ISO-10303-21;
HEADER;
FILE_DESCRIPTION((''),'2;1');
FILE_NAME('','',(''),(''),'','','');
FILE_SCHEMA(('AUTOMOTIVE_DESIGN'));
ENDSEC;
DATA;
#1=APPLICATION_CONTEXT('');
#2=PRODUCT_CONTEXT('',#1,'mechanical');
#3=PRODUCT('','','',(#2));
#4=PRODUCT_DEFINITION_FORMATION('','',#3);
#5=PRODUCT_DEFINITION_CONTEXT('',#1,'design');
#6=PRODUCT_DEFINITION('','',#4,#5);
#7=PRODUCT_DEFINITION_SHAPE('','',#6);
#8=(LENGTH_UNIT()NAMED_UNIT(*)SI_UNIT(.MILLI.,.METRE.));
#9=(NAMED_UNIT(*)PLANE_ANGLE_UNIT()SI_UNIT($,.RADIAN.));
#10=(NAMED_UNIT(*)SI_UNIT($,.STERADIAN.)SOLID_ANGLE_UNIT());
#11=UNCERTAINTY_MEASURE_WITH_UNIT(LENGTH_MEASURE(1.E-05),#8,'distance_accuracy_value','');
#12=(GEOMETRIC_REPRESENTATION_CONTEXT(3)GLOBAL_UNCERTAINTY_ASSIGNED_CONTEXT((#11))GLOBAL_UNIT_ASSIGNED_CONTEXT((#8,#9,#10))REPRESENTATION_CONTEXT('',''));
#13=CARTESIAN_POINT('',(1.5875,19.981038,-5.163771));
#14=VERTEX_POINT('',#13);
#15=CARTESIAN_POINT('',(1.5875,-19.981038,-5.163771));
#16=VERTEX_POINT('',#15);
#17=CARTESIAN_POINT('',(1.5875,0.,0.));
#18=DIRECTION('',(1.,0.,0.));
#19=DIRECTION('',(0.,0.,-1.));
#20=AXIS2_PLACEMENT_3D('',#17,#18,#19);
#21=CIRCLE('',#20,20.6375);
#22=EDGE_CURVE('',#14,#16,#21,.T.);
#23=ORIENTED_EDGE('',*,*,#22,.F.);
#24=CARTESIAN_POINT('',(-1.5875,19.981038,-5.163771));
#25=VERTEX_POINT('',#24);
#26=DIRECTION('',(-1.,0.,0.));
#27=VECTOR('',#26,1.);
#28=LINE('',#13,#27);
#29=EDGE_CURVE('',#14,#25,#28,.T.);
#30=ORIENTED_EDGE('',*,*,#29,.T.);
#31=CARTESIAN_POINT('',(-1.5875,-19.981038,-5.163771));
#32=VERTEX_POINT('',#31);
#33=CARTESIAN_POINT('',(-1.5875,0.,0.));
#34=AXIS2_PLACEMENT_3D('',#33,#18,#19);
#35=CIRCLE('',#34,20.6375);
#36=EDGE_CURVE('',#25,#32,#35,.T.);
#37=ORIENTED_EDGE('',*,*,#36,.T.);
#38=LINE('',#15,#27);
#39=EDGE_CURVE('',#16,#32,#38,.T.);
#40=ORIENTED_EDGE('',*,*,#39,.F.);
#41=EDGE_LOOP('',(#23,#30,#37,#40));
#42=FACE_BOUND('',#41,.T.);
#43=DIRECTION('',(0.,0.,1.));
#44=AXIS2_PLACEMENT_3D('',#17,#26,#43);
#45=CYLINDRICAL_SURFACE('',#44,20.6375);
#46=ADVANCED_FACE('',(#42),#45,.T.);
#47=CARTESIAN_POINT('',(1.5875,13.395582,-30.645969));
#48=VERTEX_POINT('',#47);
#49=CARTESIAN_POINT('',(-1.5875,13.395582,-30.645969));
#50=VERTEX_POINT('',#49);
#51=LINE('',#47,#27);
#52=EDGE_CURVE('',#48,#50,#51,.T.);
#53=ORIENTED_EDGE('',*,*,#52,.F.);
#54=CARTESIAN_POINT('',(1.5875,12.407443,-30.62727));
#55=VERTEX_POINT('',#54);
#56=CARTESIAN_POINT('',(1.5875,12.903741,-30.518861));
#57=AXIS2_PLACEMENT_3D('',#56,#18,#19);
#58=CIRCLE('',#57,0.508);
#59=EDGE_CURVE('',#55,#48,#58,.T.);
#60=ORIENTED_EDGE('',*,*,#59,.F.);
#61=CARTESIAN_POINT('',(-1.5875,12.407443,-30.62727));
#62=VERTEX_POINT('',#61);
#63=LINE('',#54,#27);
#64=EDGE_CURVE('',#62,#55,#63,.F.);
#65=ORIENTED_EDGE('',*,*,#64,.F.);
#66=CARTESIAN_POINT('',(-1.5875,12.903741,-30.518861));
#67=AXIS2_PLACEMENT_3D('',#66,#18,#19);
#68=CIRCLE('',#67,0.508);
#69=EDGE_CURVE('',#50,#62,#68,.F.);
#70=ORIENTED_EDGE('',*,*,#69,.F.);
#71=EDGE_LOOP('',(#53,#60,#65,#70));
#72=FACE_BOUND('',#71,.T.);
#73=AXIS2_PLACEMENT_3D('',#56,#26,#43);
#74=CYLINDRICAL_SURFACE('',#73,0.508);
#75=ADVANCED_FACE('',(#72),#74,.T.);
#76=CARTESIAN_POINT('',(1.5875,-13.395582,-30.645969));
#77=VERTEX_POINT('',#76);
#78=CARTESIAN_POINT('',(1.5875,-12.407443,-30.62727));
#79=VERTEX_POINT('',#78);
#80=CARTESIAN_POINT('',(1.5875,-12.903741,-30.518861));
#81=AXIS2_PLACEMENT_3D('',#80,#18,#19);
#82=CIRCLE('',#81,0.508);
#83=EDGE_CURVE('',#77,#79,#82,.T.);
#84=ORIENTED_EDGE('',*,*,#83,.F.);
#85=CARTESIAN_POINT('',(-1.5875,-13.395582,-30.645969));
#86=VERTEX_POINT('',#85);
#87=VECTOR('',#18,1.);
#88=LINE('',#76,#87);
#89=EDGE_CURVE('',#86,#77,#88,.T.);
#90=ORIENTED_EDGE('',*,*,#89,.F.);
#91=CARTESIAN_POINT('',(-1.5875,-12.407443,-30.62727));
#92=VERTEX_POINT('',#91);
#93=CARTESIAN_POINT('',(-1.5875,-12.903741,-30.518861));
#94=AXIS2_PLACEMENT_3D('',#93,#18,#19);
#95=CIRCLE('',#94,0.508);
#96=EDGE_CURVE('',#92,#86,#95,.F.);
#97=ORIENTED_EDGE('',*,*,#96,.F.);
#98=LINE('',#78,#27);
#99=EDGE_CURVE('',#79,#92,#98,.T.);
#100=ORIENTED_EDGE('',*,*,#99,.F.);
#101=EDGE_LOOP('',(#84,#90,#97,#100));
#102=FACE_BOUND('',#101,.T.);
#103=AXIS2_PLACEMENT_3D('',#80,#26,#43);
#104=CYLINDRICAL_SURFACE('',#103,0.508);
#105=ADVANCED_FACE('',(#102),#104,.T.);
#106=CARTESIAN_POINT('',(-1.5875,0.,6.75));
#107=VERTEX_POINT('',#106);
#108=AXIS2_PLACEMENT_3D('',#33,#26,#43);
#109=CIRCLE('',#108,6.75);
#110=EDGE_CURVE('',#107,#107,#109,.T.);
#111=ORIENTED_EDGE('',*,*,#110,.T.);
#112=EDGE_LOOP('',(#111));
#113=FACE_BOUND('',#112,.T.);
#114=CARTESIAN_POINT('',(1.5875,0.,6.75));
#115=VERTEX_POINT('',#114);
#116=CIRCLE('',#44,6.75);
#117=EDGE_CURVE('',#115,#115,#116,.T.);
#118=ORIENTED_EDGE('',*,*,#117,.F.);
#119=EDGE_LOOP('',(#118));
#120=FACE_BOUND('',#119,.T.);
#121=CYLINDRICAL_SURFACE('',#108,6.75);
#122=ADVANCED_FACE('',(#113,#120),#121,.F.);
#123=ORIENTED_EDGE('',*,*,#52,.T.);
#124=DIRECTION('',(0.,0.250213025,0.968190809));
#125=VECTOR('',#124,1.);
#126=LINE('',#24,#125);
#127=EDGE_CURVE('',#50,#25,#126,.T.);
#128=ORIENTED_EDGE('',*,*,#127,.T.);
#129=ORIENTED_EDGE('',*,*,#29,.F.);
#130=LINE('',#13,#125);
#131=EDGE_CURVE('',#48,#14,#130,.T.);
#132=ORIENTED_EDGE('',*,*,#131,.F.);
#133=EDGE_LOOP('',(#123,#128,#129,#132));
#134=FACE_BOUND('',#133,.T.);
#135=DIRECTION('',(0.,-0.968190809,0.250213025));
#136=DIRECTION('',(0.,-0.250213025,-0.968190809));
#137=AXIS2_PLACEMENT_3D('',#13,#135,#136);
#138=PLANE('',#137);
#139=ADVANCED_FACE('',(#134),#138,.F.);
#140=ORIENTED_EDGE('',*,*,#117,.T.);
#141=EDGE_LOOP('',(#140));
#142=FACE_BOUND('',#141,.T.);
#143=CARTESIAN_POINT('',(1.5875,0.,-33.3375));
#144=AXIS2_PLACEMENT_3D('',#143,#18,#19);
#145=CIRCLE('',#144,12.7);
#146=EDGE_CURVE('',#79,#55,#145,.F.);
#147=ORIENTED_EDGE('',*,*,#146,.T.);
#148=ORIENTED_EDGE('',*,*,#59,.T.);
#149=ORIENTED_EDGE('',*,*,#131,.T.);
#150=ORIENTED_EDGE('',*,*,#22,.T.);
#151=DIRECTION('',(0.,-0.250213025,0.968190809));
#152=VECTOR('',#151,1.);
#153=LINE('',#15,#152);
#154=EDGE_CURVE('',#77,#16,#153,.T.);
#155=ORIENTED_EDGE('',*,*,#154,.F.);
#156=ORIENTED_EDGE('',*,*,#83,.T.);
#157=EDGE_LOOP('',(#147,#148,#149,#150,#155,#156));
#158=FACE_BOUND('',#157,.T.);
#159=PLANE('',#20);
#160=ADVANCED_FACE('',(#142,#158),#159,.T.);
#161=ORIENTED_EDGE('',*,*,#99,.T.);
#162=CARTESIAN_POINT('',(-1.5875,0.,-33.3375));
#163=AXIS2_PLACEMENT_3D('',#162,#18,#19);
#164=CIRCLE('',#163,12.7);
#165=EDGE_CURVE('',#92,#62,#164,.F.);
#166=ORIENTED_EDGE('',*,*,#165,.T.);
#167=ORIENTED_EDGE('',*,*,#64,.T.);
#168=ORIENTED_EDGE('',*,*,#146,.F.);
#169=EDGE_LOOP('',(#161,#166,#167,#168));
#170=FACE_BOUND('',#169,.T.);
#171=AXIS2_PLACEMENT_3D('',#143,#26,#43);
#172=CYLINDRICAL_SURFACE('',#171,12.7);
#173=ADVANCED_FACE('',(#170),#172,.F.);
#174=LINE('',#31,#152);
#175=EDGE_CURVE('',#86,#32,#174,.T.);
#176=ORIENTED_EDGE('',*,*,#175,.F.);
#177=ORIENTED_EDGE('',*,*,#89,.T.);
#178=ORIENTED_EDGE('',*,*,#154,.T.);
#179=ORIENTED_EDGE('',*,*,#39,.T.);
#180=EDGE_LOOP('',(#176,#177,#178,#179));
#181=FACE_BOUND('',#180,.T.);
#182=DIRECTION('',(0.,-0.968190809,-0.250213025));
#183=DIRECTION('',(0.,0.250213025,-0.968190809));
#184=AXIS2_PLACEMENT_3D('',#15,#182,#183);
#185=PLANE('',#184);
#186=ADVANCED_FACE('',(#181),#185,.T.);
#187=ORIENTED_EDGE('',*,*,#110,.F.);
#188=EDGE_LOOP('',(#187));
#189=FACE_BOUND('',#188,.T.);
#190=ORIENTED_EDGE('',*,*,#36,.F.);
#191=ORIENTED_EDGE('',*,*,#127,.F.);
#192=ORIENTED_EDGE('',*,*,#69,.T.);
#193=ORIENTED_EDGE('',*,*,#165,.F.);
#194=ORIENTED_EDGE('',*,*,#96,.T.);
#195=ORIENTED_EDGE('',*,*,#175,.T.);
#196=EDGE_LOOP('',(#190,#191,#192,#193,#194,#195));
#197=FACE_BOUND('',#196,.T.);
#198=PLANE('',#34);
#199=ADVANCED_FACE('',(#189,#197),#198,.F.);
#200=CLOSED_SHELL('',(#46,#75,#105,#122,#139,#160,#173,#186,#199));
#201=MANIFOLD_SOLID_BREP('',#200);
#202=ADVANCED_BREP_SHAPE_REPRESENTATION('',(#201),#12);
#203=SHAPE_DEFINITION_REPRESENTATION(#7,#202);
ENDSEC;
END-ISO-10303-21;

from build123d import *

# Parameters (mm, degrees)
SKETCH1_R             = 6.749999962
BOSS_EXTRUDE1_DEPTH   = 1.5875
FILLET1_R             = 0.508
FILLET2_R             = 0.508
M12_CLEARANCE_HOLE1_D = 13.5


with BuildPart() as part:
    # Sketch1 → Boss-Extrude1 (new, symmetric)
    # profile 1 of 2: a face of its own
    with BuildSketch(Plane(origin=(0, 0, 0), x_dir=(0, 0, -1), z_dir=(1, 0, 0))):
        with BuildLine():
            Line((33.3375, -12.7), (5.163771309, -19.981037814))
            ThreePointArc((5.163771309, -19.981037814), (-20.6375, 0), (5.163771309, 19.981037814))
            Line((5.163771309, 19.981037814), (33.3375, 12.7))
            ThreePointArc((33.3375, 12.7), (20.6375, 0), (33.3375, -12.7))
        make_face()
        Circle(SKETCH1_R, mode=Mode.SUBTRACT)
    # profile 2 of 2: a face of its own
    with BuildSketch(Plane(origin=(0, 0, 0), x_dir=(0, 0, -1), z_dir=(1, 0, 0))):
        Circle(SKETCH1_R)
    extrude(amount=BOSS_EXTRUDE1_DEPTH, both=True)

    # Fillet1
    fillet1_edges = [part.edges().sort_by_distance(p)[0] for p in [
        (0, -12.7, -33.3375),
    ]]
    fillet(fillet1_edges, radius=FILLET1_R)

    # Fillet2
    fillet2_edges = [part.edges().sort_by_distance(p)[0] for p in [
        (0, 12.7, -33.3375),
    ]]
    fillet(fillet2_edges, radius=FILLET2_R)

    # M12 Clearance Hole1 (through all)
    with Locations(Plane.ZY.offset(1.5875)):
        with Locations((0, 0)):
            Hole(M12_CLEARANCE_HOLE1_D / 2)


solid = part.part
